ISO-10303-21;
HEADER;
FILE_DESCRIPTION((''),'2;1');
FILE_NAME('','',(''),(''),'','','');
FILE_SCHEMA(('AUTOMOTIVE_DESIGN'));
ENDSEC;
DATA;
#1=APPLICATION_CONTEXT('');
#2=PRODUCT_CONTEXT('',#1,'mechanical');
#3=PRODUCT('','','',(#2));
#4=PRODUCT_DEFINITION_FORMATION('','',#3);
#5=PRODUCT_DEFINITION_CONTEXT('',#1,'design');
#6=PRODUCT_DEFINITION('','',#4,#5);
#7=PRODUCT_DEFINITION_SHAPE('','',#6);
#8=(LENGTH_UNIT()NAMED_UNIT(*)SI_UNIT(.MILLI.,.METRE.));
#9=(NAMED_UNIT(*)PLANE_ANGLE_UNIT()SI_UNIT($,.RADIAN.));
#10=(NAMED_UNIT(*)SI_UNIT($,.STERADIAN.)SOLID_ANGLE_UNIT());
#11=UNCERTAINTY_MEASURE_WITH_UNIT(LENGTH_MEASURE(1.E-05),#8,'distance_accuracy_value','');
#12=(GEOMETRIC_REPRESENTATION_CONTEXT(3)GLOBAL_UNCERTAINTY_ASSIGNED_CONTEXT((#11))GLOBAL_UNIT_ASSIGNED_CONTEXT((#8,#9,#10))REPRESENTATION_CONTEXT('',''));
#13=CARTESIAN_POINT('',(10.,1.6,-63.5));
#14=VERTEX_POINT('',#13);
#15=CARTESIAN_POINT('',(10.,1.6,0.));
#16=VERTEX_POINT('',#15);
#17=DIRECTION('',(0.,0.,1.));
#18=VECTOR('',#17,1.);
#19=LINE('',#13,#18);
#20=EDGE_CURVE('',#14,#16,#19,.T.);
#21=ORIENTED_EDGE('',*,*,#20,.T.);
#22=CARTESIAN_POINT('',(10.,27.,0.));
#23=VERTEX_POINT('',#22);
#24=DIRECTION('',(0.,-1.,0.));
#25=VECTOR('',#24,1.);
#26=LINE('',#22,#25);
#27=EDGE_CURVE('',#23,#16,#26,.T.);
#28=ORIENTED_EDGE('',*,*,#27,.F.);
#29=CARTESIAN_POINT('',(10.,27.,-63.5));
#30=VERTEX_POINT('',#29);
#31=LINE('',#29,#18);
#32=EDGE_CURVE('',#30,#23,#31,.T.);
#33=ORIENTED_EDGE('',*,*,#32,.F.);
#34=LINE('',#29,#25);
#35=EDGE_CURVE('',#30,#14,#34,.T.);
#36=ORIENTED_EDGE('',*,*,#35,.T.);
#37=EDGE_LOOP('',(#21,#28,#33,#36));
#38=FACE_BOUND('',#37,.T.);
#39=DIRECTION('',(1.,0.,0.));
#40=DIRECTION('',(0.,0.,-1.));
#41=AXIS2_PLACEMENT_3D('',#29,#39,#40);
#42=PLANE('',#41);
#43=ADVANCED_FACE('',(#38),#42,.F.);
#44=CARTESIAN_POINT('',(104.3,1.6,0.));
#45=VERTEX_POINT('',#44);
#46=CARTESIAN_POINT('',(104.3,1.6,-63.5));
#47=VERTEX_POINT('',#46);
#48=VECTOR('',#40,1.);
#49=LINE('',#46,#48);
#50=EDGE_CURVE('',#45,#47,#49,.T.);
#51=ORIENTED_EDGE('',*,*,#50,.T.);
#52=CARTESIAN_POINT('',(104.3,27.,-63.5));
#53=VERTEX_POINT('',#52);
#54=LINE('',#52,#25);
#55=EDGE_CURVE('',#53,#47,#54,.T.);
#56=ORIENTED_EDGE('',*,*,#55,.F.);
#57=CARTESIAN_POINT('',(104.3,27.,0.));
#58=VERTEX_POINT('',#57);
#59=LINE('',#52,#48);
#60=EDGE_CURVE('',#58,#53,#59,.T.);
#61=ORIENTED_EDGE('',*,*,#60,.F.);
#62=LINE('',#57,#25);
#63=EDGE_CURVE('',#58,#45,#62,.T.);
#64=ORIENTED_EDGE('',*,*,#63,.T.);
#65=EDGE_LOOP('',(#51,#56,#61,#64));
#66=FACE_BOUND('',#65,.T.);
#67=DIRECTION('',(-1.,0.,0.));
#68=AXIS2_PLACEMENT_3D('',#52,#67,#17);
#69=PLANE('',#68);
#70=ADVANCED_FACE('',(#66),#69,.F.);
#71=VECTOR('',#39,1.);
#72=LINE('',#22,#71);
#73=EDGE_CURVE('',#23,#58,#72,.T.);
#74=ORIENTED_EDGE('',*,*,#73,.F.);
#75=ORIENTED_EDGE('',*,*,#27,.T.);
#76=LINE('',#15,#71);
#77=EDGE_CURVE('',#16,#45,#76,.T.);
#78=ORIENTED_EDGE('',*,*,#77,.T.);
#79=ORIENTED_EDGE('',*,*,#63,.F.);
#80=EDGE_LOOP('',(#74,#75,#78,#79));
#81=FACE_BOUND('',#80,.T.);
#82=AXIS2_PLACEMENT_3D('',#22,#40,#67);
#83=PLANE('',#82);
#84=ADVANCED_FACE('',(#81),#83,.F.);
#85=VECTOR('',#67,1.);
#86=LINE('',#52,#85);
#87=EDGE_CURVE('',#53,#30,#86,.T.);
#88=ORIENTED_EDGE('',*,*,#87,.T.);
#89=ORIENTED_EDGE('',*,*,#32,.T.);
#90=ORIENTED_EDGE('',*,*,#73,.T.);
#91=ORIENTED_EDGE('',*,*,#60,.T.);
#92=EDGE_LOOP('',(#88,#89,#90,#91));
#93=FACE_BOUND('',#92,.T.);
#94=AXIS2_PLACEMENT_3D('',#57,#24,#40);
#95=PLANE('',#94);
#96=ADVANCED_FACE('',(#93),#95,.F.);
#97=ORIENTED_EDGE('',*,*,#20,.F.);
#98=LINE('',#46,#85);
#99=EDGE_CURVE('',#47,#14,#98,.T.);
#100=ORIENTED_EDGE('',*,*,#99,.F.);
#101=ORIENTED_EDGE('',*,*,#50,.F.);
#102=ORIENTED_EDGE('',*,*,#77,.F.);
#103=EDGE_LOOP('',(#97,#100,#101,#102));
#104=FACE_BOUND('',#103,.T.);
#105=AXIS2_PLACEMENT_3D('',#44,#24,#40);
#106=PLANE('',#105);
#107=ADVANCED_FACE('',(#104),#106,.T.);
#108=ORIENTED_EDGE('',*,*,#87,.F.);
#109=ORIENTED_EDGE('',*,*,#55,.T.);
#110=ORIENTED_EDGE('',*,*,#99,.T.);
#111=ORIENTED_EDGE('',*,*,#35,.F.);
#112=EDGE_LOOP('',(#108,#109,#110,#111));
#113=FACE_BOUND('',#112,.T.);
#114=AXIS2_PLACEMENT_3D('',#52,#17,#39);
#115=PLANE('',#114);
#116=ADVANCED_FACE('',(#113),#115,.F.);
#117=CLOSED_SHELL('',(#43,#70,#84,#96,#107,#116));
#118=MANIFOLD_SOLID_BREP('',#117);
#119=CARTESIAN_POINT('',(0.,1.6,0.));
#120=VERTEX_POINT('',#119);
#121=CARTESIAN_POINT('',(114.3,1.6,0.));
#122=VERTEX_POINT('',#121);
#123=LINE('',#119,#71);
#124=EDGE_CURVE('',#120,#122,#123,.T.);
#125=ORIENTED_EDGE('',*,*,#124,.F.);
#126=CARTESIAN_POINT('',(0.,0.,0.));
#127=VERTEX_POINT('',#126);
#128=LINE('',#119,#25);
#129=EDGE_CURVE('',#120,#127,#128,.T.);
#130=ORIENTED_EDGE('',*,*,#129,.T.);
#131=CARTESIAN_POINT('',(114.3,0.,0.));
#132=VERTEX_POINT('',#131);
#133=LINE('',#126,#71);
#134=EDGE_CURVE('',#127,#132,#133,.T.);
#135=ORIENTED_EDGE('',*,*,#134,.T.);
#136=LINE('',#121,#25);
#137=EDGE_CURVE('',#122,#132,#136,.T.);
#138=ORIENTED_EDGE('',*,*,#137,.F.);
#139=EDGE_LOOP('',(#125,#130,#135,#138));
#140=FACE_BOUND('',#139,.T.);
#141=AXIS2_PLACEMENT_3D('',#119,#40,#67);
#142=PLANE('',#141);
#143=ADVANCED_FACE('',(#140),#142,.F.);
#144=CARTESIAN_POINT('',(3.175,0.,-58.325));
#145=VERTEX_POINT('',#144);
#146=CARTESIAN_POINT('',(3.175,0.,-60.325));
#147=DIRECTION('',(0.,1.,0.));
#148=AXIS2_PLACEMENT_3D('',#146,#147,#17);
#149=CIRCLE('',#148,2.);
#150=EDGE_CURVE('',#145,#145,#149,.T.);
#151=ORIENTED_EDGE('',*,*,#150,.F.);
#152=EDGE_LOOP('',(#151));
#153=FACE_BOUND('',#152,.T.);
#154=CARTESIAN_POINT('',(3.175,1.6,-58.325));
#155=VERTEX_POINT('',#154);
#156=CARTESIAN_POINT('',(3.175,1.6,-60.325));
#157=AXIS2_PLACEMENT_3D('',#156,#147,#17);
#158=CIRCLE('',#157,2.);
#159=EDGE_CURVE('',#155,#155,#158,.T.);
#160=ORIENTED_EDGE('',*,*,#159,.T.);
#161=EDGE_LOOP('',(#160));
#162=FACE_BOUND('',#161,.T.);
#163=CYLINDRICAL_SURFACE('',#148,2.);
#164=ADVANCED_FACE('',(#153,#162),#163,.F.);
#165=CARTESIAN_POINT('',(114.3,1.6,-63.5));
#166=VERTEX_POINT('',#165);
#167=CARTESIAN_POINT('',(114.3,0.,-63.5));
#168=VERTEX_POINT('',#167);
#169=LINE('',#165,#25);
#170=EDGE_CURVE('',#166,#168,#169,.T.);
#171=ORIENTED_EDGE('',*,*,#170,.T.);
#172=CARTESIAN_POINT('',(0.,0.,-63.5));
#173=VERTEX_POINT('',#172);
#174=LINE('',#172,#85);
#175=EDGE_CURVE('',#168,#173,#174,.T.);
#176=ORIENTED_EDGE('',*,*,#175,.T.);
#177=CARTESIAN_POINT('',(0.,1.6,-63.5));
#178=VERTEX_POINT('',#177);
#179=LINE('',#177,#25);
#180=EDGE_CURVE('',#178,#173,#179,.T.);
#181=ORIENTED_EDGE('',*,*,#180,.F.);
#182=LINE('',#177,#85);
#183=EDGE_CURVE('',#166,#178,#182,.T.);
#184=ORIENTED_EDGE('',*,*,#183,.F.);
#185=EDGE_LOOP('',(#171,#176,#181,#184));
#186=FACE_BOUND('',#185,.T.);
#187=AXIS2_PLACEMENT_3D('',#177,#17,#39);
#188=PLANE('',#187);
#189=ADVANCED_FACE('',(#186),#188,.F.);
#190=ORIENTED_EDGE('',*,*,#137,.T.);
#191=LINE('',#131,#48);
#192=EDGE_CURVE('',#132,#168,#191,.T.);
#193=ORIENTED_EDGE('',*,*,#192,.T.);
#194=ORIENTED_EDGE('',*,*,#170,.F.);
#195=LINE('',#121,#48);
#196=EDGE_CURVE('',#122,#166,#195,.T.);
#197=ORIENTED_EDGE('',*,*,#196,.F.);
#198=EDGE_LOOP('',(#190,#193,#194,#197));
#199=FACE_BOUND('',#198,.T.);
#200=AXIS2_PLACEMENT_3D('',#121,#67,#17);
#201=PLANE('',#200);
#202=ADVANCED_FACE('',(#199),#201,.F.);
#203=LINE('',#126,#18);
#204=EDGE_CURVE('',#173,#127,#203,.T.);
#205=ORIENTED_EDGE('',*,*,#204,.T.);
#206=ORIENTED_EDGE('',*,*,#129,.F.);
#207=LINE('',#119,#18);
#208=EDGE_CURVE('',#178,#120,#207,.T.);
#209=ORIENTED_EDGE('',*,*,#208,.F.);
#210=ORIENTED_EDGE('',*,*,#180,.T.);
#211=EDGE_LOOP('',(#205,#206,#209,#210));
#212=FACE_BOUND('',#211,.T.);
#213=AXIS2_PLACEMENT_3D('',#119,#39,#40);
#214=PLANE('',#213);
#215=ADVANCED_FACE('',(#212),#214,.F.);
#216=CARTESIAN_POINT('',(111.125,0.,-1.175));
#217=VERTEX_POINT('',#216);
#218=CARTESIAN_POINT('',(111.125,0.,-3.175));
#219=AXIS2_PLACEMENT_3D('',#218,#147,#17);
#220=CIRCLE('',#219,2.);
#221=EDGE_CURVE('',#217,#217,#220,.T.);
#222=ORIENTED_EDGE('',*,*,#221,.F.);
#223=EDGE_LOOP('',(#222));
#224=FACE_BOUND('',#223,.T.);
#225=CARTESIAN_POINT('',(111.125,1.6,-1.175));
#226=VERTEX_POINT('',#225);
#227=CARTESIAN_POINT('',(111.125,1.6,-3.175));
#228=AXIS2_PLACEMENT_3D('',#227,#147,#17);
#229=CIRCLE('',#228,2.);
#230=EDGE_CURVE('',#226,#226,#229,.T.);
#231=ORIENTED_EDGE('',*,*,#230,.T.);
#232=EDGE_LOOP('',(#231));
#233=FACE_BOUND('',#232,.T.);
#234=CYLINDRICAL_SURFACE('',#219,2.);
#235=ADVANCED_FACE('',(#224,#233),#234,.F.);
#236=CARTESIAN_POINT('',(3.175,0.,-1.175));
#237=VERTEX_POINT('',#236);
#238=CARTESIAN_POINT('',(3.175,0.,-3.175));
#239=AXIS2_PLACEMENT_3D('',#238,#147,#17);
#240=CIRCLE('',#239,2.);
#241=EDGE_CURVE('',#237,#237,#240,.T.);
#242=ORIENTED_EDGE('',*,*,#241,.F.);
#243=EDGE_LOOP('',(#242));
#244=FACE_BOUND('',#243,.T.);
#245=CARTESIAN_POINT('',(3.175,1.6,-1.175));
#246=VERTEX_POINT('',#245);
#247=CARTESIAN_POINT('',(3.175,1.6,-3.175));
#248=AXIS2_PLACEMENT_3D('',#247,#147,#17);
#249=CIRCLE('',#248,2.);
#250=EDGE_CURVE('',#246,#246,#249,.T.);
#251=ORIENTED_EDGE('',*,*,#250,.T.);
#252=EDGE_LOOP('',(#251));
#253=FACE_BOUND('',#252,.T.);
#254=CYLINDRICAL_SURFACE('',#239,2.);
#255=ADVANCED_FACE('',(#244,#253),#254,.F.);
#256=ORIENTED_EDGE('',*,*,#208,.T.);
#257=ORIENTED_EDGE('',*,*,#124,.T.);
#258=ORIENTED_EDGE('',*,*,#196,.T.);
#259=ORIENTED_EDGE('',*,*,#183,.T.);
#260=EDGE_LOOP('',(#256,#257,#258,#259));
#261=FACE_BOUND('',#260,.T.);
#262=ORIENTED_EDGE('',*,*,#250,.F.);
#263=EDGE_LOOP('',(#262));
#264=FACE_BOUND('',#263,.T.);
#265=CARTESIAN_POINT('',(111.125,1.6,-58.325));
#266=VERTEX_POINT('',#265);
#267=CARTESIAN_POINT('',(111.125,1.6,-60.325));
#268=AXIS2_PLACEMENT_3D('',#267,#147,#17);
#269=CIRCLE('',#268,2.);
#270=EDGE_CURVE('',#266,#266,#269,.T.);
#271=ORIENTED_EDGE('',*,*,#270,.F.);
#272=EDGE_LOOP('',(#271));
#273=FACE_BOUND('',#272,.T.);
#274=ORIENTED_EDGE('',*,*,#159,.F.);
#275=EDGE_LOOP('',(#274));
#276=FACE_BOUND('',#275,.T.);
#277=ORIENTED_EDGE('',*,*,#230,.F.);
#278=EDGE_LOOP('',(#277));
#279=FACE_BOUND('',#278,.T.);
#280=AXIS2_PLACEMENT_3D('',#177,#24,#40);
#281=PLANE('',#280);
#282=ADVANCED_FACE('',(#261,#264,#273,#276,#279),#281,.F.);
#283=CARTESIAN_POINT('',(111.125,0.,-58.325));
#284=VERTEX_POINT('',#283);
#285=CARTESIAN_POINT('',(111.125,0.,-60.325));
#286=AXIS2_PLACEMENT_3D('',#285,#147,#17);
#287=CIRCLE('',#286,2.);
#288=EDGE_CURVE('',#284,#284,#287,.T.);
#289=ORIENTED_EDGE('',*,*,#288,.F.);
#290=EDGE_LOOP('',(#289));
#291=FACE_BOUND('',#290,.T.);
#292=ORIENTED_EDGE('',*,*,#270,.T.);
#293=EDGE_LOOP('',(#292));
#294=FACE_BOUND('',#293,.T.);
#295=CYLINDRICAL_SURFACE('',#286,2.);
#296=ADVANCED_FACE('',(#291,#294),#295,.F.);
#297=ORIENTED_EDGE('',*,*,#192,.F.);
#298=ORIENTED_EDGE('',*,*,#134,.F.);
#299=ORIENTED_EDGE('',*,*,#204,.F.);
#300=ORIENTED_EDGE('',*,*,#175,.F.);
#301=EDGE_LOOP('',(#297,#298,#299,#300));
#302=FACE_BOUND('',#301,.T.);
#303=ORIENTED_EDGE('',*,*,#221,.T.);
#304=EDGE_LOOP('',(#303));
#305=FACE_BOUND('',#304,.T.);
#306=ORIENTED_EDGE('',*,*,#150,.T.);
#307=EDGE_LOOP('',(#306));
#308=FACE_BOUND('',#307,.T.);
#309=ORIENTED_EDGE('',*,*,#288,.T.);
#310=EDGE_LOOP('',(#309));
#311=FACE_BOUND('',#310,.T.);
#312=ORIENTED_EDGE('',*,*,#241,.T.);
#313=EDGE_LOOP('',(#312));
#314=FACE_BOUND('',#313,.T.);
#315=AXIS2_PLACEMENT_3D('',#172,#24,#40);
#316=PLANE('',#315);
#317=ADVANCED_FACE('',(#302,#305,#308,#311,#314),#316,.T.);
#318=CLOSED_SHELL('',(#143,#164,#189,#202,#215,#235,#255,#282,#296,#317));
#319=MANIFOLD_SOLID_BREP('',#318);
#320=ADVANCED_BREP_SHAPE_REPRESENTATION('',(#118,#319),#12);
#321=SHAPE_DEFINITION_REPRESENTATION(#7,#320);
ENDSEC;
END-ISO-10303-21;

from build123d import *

# Parameters (mm, degrees)
ESQUISSE1_W             = 114.3
ESQUISSE1_H             = 63.5
EXTRUSION1_DEPTH        = 1.6
ESQUISSE2_R             = 2
ENL_V_MAT_EXTRU_1_DEPTH = 1.6
ESQUISSE4_W             = 94.3
ESQUISSE4_H             = 63.5
EXTRUSION4_DEPTH        = 25.4


with BuildPart() as part:
    # Esquisse1 → Extrusion1 (new body)
    with BuildSketch(Plane(origin=(0, 0, 0), x_dir=(1, 0, 0), z_dir=(0, 1, 0))):
        with Locations((57.15, 31.75)):
            Rectangle(ESQUISSE1_W, ESQUISSE1_H)
    extrude(amount=EXTRUSION1_DEPTH)

    # Esquisse2 → Enlèv. mat.-Extru.1 (cut)
    with BuildSketch(Plane(origin=(0, 1.6, 0), x_dir=(-1, 0, 0), z_dir=(0, 1, 0))):
        with Locations(Location((-3.175, -60.325, 0), (0, 0, 90))):
            Circle(ESQUISSE2_R)
        with Locations(Location((-3.175, -3.175, 0), (0, 0, 90))):
            Circle(ESQUISSE2_R)
        with Locations(Location((-111.125, -60.325, 0), (0, 0, 90))):
            Circle(ESQUISSE2_R)
        with Locations(Location((-111.125, -3.175, 0), (0, 0, 90))):
            Circle(ESQUISSE2_R)
    extrude(amount=-ENL_V_MAT_EXTRU_1_DEPTH, mode=Mode.SUBTRACT)


with BuildPart() as body_2:
    # Esquisse4 → Extrusion4 (new body)
    with BuildSketch(Plane(origin=(0, 1.6, 0), x_dir=(-1, 0, 0), z_dir=(0, 1, 0))):
        with Locations((-57.15, -31.75)):
            Rectangle(ESQUISSE4_W, ESQUISSE4_H)
    extrude(amount=EXTRUSION4_DEPTH)


solid = Compound([part.part, body_2.part])
